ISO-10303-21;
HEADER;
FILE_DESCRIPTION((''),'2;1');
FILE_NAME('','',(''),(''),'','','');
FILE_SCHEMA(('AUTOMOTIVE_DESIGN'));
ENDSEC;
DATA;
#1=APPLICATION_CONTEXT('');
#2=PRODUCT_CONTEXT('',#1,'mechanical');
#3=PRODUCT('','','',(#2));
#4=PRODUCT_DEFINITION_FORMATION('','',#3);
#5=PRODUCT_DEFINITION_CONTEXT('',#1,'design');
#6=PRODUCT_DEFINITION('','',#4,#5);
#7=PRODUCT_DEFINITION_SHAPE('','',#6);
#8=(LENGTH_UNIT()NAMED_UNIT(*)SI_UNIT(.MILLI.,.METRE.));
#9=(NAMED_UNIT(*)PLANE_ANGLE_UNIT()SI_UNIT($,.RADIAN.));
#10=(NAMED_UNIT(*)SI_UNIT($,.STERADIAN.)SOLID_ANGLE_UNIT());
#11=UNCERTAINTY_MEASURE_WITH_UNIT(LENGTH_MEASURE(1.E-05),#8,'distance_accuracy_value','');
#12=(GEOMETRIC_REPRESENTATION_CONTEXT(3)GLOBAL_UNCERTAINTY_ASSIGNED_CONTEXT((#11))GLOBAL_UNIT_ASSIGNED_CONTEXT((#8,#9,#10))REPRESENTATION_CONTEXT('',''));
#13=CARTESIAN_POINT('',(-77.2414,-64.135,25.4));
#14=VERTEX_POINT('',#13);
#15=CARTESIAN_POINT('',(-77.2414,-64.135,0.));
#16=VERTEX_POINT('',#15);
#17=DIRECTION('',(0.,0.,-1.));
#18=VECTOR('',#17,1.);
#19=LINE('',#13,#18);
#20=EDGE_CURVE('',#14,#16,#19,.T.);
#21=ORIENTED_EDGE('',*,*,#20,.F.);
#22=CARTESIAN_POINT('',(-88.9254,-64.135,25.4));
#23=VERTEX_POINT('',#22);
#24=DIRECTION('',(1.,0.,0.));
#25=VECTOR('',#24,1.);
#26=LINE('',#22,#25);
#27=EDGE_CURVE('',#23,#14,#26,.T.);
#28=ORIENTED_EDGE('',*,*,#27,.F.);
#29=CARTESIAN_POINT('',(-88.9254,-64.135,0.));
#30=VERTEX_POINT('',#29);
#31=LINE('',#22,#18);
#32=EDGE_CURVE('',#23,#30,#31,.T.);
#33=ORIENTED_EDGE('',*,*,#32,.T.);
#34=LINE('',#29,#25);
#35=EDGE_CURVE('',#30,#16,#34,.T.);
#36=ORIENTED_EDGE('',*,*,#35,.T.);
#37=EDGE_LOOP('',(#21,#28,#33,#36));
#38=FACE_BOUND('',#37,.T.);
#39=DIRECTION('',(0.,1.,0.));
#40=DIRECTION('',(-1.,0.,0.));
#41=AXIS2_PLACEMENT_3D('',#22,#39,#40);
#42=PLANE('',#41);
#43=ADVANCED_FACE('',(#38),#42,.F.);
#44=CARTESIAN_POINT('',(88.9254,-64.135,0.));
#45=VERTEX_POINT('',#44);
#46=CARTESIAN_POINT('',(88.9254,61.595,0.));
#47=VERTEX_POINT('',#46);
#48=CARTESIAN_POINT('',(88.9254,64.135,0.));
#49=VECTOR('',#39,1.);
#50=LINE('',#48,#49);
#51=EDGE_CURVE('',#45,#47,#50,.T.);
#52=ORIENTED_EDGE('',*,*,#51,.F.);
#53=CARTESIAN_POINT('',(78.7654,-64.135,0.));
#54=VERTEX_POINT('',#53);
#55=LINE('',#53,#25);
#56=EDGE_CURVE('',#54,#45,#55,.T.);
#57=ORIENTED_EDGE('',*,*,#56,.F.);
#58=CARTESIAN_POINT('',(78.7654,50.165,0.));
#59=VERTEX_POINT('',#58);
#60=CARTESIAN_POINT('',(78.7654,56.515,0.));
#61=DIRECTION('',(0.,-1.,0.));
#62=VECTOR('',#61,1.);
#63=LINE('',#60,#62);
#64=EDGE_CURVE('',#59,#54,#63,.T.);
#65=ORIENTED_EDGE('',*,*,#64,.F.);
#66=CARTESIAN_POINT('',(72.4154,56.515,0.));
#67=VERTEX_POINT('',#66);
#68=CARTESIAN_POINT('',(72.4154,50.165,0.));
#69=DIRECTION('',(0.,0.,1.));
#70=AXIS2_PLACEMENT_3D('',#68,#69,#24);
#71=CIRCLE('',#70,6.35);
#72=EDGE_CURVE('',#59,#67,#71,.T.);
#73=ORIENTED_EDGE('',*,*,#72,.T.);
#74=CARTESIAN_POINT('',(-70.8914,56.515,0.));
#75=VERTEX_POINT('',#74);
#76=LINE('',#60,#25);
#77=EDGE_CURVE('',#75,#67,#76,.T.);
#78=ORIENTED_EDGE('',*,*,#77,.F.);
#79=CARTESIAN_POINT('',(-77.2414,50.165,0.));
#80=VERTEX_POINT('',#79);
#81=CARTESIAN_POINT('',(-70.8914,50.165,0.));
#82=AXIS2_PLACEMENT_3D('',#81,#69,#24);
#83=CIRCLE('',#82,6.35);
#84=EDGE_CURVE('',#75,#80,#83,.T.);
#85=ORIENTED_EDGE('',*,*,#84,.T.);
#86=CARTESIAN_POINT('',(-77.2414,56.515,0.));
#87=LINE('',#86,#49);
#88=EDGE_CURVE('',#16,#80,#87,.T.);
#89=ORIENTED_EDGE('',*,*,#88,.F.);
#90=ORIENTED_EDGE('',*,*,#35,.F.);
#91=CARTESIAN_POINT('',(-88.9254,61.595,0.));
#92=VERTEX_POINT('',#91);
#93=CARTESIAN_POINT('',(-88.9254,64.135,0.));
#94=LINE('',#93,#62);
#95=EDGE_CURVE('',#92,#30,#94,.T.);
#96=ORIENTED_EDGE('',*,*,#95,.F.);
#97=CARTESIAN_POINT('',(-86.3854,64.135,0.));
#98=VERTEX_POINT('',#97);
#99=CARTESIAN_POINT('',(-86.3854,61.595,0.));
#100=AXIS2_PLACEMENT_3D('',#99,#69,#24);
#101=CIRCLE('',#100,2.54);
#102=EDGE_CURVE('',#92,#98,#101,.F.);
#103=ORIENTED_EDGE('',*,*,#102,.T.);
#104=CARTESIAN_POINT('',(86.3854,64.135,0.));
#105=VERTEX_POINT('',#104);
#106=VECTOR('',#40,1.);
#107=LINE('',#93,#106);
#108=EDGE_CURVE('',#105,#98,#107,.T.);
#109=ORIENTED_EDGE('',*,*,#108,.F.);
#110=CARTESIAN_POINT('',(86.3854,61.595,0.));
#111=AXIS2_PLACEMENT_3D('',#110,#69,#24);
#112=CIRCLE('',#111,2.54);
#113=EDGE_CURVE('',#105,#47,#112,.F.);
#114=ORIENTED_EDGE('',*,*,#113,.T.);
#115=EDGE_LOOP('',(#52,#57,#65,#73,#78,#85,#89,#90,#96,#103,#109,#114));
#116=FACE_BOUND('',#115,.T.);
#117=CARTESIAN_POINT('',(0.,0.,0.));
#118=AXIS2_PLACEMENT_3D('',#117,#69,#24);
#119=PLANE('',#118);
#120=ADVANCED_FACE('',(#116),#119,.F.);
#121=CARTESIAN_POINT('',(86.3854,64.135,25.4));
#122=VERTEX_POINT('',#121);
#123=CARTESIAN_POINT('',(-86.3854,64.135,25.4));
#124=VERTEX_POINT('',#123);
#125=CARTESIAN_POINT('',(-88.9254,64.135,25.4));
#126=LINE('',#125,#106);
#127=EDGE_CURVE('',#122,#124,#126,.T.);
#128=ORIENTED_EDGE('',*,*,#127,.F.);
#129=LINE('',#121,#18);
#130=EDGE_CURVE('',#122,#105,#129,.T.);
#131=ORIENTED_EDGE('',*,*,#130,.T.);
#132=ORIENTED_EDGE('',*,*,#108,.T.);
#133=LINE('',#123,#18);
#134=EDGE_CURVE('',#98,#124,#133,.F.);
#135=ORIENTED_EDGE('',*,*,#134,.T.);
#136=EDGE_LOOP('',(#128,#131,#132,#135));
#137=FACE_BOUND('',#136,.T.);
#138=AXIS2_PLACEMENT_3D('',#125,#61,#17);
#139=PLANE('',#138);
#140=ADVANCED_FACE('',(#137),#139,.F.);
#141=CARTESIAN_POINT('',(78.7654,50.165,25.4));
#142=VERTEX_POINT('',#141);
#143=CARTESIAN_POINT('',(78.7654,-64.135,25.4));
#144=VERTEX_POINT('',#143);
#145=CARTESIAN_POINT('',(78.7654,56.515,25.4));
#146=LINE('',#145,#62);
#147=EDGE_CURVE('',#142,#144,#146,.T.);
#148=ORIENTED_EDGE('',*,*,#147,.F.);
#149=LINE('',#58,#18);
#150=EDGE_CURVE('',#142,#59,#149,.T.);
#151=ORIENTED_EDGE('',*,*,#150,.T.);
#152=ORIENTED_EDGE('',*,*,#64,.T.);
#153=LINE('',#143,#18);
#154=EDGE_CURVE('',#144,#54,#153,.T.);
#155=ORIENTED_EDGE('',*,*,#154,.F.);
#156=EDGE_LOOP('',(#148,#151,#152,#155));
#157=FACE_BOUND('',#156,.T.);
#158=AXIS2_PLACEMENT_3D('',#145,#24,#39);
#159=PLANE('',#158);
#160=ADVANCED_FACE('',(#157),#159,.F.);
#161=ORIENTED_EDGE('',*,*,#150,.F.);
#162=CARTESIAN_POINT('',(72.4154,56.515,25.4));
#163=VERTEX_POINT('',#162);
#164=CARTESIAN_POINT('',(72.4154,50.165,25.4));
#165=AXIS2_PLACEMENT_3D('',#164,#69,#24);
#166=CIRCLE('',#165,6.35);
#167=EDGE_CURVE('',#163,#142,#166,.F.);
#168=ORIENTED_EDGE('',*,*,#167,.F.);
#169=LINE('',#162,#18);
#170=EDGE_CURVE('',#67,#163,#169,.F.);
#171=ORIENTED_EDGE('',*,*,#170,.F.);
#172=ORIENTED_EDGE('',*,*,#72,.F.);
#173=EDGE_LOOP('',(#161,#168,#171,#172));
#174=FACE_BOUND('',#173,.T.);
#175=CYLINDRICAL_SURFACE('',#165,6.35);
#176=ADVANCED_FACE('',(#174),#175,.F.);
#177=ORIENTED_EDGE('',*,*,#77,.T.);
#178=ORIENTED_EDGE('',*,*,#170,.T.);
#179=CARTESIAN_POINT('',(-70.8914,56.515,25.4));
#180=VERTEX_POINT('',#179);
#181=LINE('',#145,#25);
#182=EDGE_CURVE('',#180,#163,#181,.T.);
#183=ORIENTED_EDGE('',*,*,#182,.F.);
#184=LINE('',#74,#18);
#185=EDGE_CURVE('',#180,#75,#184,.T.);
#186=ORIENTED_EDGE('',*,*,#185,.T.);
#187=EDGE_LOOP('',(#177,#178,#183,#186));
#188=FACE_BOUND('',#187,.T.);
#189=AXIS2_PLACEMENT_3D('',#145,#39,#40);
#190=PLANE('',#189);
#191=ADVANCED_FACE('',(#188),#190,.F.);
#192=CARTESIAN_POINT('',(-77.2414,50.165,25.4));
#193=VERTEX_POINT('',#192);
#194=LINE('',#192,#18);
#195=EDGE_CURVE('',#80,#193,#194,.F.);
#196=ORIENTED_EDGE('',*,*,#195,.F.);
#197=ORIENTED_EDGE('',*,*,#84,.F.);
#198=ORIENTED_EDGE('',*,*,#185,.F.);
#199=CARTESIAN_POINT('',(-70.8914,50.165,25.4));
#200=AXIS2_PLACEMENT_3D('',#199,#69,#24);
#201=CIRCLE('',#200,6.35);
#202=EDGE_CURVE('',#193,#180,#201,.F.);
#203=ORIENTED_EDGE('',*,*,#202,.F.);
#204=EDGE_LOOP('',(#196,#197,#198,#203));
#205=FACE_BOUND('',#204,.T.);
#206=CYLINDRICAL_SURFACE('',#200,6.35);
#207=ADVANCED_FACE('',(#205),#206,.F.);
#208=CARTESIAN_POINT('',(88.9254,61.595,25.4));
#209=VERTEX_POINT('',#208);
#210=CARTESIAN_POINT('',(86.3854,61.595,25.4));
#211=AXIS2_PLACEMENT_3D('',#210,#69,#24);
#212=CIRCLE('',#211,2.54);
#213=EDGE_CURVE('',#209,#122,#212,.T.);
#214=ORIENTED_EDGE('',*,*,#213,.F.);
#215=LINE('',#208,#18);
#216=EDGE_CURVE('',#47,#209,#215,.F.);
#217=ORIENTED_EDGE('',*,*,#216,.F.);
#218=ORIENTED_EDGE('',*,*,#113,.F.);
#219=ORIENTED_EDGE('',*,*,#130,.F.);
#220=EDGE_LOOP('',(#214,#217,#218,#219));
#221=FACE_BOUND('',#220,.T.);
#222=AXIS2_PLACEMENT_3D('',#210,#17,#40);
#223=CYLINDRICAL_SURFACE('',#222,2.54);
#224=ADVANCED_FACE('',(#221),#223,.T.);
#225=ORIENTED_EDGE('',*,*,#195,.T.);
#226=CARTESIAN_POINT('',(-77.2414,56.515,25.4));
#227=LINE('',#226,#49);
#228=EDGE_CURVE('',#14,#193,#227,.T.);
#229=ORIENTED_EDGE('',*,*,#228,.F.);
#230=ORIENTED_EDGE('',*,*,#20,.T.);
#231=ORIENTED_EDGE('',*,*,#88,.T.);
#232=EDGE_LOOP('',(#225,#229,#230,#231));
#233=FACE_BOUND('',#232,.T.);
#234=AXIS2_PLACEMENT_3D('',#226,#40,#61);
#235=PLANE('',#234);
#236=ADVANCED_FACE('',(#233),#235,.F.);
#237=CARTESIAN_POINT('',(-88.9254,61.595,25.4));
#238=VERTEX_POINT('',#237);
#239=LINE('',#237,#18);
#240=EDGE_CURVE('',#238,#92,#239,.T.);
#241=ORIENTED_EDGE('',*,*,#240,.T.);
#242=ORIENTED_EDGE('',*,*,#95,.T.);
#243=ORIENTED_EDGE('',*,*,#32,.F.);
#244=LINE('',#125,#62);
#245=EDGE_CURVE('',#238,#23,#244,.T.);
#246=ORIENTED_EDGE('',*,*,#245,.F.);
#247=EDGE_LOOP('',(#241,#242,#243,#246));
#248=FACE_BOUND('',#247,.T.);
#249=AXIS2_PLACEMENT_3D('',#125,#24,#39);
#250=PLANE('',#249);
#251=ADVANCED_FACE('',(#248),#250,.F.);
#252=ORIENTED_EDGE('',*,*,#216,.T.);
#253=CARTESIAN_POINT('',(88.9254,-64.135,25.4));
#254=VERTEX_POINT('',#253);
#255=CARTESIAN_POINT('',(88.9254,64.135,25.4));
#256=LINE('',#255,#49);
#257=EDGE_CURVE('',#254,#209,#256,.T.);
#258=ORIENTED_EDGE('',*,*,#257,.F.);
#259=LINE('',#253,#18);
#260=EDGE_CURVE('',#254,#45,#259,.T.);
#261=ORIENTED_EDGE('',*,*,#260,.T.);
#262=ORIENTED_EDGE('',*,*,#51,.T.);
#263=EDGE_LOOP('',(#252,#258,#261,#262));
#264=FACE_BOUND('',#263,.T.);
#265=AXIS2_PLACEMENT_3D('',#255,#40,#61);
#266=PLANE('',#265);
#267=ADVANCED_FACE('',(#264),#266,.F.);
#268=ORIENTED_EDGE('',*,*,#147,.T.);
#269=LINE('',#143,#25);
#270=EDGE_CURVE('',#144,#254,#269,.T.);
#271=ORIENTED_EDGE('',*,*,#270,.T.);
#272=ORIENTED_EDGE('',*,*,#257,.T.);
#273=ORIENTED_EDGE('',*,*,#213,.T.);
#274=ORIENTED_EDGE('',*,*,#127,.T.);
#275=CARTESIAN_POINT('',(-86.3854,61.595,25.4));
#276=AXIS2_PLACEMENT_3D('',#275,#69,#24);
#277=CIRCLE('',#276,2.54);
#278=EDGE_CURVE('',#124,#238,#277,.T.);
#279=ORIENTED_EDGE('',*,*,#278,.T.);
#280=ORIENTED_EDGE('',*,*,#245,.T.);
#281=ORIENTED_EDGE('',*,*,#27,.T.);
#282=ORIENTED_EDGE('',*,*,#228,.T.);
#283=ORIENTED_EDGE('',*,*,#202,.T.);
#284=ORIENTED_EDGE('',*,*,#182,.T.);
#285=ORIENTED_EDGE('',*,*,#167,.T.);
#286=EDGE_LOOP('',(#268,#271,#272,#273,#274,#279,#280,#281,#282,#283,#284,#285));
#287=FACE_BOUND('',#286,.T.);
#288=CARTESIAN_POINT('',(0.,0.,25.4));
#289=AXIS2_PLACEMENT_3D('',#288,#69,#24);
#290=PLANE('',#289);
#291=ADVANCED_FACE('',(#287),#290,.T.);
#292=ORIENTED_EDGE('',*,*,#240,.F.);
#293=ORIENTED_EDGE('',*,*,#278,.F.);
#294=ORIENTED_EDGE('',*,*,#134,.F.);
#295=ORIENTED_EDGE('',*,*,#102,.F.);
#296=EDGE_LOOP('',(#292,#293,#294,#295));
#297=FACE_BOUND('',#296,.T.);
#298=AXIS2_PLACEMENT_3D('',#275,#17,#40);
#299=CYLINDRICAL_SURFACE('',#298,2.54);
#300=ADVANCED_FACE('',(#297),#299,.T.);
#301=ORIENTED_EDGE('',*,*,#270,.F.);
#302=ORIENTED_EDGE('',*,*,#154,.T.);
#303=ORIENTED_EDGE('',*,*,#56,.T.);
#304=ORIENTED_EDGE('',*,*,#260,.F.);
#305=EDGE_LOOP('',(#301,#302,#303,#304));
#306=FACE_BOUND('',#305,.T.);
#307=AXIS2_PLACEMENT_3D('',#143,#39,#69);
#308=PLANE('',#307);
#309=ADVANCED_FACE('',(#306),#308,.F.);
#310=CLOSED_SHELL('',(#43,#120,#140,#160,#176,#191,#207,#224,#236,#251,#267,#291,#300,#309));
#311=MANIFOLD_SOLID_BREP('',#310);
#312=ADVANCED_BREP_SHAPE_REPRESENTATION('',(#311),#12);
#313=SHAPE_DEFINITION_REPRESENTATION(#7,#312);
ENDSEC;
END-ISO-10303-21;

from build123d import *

# Parameters (mm, degrees)
BOSS_EXTRUDE1_DEPTH = 25.4
FILLET1_R           = 6.35
FILLET2_R           = 2.54


with BuildPart() as part:
    # Sketch1 → Boss-Extrude1 (new body)
    with BuildSketch(Plane.XY):
        Polygon((78.7654, -64.135), (88.9254, -64.135), (88.9254, 64.135), (-88.9254, 64.135), (-88.9254, -64.135), (-77.2414, -64.135), (-77.2414, 56.515), (78.7654, 56.515), align=None)
    extrude(amount=BOSS_EXTRUDE1_DEPTH)

    # Fillet1
    fillet1_edges = [part.edges().sort_by_distance(p)[0] for p in [
        (78.7654, 56.515, 12.7),
        (-77.2414, 56.515, 12.7),
    ]]
    fillet(fillet1_edges, radius=FILLET1_R)

    # Fillet2
    fillet2_edges = [part.edges().sort_by_distance(p)[0] for p in [
        (-88.9254, 64.135, 12.7),
        (88.9254, 64.135, 12.7),
    ]]
    fillet(fillet2_edges, radius=FILLET2_R)


solid = part.part
